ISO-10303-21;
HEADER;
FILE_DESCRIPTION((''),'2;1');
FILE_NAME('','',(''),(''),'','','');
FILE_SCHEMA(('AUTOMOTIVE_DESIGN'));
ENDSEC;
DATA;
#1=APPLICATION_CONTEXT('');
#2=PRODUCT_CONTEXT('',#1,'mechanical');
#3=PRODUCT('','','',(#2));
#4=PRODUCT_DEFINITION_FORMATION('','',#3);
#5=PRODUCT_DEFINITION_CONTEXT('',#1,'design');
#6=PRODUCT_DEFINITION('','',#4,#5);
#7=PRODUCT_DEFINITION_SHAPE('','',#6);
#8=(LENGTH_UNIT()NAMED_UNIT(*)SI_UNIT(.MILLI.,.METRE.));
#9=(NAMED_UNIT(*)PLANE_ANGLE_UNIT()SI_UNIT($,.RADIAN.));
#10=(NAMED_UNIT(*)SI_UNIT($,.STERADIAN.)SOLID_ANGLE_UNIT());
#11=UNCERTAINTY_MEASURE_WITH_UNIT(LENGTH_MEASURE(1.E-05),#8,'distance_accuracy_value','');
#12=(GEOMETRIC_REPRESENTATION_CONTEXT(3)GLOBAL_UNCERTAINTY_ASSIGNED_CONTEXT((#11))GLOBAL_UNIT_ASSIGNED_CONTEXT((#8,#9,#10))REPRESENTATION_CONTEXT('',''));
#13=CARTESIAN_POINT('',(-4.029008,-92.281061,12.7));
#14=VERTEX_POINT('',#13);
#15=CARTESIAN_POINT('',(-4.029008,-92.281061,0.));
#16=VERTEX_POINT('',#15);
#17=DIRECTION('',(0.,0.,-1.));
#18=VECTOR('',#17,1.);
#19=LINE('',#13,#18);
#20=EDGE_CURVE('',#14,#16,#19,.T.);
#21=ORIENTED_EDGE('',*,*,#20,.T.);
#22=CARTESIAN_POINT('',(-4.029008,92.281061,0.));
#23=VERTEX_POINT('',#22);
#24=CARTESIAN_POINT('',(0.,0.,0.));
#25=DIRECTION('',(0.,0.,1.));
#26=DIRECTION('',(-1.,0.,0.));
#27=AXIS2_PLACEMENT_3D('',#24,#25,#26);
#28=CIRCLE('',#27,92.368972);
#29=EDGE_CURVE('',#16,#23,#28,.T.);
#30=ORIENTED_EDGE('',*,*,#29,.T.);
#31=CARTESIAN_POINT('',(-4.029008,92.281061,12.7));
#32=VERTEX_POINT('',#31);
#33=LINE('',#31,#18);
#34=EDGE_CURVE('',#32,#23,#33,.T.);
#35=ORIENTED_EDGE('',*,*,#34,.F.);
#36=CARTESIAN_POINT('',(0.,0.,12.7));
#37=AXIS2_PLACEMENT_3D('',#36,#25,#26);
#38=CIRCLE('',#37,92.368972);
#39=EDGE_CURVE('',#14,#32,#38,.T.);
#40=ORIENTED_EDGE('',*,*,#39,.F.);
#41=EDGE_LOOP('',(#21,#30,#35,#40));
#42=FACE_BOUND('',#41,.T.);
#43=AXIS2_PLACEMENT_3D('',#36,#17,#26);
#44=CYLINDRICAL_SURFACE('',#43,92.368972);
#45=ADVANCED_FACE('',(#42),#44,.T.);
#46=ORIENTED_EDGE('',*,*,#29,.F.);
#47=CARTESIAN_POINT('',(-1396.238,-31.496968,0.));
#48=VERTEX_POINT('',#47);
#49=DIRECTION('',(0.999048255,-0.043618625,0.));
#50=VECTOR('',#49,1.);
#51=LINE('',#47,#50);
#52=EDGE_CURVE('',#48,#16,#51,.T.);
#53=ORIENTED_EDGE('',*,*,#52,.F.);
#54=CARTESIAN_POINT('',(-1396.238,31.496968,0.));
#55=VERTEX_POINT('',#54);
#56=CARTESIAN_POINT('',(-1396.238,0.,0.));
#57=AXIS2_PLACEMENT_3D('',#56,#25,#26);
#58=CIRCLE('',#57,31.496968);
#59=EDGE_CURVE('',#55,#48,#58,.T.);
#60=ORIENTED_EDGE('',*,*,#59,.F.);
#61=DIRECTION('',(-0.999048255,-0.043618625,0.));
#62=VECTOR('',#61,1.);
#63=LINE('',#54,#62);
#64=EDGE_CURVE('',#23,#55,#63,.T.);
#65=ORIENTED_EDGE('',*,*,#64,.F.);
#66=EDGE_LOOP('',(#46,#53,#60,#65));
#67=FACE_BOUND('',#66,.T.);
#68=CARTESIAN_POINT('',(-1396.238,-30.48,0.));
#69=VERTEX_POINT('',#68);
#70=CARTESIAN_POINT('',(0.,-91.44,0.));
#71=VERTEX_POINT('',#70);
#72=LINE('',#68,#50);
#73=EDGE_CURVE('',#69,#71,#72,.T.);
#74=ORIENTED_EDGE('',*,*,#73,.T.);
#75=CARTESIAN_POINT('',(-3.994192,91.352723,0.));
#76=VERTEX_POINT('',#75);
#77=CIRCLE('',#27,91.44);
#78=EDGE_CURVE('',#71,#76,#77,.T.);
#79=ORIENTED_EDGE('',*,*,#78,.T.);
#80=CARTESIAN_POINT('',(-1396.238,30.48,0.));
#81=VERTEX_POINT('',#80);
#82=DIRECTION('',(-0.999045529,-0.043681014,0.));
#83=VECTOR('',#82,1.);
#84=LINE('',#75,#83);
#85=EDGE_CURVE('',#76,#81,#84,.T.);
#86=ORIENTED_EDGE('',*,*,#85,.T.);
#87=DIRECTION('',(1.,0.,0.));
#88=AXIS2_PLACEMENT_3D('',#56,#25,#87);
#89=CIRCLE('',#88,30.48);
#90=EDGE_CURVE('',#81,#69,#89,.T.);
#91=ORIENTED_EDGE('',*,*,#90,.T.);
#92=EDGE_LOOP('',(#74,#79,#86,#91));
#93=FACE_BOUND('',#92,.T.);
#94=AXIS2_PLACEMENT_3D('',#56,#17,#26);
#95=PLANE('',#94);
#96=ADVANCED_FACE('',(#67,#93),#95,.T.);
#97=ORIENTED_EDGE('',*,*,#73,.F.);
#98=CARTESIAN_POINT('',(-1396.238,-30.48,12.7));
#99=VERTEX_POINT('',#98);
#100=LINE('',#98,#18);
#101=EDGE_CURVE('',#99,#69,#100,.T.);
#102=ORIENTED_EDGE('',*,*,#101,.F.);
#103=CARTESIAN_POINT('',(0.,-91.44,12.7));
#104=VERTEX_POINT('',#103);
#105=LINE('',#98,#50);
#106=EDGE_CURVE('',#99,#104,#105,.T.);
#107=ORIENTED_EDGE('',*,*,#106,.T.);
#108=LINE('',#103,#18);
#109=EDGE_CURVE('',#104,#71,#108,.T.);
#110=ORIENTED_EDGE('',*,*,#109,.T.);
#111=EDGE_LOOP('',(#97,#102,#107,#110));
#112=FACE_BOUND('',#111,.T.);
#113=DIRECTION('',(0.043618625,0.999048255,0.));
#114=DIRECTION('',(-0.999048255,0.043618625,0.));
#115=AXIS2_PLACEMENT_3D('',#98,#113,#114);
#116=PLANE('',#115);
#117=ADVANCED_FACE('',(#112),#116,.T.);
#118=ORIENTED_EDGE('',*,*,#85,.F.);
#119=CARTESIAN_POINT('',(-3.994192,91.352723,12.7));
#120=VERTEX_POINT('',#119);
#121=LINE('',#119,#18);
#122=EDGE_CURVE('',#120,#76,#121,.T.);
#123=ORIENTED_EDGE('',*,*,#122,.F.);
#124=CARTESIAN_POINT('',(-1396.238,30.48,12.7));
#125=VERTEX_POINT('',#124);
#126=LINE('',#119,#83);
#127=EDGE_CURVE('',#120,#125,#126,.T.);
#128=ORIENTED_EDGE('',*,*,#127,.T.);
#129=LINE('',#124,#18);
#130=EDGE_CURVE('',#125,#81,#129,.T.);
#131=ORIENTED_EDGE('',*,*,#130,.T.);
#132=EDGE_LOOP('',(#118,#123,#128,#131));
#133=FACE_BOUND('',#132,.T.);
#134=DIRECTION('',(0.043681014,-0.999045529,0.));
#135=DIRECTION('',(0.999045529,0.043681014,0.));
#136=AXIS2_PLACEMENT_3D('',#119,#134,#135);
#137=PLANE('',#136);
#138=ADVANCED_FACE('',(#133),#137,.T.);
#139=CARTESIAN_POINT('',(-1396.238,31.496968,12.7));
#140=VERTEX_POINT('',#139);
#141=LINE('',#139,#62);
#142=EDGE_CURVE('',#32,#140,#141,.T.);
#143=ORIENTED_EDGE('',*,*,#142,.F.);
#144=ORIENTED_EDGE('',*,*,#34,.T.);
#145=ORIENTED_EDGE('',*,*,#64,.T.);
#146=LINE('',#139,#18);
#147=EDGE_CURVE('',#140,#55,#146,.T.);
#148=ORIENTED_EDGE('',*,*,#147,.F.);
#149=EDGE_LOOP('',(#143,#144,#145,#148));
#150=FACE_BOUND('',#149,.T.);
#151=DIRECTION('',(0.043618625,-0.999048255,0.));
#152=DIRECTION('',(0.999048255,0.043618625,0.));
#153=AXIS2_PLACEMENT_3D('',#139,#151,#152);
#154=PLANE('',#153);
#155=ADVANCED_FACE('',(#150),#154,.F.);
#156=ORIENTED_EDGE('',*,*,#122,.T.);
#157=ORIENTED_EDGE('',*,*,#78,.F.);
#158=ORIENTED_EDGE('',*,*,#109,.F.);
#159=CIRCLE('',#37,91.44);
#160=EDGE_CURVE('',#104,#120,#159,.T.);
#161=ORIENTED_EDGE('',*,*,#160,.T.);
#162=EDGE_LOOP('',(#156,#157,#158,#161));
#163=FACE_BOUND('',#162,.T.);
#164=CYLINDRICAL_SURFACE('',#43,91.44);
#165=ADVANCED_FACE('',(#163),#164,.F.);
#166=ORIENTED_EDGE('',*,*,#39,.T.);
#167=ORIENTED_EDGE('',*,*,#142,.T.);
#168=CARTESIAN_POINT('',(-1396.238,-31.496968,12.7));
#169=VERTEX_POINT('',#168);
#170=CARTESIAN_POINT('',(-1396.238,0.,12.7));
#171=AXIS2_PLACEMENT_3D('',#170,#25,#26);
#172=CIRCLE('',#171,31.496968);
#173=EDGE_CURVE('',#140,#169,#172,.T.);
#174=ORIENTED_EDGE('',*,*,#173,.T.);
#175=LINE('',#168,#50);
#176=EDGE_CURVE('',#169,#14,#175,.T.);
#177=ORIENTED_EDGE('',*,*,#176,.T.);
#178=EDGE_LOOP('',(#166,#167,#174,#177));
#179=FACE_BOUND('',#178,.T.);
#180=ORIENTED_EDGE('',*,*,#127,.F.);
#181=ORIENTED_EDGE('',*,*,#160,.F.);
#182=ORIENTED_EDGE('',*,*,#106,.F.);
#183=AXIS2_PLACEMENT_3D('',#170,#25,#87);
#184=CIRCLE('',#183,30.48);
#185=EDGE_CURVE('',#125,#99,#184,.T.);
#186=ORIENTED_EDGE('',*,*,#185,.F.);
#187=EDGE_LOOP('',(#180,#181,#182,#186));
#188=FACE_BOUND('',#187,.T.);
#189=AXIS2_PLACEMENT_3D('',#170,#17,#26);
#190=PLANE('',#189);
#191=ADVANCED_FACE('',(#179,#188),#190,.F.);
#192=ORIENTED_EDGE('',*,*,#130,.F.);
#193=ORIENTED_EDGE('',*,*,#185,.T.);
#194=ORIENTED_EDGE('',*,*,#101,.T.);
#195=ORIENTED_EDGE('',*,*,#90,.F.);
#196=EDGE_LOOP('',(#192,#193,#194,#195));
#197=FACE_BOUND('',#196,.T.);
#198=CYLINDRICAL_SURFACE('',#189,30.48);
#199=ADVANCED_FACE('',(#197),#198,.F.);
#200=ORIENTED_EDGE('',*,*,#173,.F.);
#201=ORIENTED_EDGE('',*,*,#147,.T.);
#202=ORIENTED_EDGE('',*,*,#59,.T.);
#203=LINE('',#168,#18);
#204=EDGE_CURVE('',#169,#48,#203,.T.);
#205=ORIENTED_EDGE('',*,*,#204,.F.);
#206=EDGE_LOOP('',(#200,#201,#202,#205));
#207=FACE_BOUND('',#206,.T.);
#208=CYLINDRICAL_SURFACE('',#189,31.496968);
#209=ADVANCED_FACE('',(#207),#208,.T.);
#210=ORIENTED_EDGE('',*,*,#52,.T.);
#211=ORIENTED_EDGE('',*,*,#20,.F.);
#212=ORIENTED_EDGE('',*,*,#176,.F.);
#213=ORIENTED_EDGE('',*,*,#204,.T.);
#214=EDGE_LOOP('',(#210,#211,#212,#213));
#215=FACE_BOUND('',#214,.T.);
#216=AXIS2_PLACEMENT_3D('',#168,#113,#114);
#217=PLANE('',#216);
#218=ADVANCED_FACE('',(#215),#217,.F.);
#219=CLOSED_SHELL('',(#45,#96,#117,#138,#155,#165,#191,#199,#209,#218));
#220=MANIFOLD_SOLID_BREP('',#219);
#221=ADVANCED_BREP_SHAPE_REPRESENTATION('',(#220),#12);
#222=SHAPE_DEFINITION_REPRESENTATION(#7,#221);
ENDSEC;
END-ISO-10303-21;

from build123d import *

# Parameters (mm, degrees)
BOSS_EXTRUDE1_DEPTH = 12.7


with BuildPart() as part:
    # Sketch1 → Boss-Extrude1 (new body)
    with BuildSketch(Plane.XY):
        with BuildLine():
            Line((-1396.238, 31.496967894), (-4.029007562, 92.281060706))
            ThreePointArc((-4.029007562, 92.281060706), (92.368972425, 0), (-4.029007562, -92.281060706))
            Line((-4.029007562, -92.281060706), (-1396.238, -31.496967894))
            ThreePointArc((-1396.238, -31.496967894), (-1427.734967894, 0), (-1396.238, 31.496967894))
        make_face()
        with BuildLine():
            Line((-3.994191963, 91.35272317), (-1396.238, 30.48))
            ThreePointArc((-1396.238, 30.48), (-1426.718, 0), (-1396.238, -30.48))
            Line((-1396.238, -30.48), (0, -91.44))
            ThreePointArc((0, -91.44), (91.418178189, 1.997572695), (-3.994191963, 91.35272317))
        make_face(mode=Mode.SUBTRACT)
    extrude(amount=BOSS_EXTRUDE1_DEPTH)


solid = part.part
